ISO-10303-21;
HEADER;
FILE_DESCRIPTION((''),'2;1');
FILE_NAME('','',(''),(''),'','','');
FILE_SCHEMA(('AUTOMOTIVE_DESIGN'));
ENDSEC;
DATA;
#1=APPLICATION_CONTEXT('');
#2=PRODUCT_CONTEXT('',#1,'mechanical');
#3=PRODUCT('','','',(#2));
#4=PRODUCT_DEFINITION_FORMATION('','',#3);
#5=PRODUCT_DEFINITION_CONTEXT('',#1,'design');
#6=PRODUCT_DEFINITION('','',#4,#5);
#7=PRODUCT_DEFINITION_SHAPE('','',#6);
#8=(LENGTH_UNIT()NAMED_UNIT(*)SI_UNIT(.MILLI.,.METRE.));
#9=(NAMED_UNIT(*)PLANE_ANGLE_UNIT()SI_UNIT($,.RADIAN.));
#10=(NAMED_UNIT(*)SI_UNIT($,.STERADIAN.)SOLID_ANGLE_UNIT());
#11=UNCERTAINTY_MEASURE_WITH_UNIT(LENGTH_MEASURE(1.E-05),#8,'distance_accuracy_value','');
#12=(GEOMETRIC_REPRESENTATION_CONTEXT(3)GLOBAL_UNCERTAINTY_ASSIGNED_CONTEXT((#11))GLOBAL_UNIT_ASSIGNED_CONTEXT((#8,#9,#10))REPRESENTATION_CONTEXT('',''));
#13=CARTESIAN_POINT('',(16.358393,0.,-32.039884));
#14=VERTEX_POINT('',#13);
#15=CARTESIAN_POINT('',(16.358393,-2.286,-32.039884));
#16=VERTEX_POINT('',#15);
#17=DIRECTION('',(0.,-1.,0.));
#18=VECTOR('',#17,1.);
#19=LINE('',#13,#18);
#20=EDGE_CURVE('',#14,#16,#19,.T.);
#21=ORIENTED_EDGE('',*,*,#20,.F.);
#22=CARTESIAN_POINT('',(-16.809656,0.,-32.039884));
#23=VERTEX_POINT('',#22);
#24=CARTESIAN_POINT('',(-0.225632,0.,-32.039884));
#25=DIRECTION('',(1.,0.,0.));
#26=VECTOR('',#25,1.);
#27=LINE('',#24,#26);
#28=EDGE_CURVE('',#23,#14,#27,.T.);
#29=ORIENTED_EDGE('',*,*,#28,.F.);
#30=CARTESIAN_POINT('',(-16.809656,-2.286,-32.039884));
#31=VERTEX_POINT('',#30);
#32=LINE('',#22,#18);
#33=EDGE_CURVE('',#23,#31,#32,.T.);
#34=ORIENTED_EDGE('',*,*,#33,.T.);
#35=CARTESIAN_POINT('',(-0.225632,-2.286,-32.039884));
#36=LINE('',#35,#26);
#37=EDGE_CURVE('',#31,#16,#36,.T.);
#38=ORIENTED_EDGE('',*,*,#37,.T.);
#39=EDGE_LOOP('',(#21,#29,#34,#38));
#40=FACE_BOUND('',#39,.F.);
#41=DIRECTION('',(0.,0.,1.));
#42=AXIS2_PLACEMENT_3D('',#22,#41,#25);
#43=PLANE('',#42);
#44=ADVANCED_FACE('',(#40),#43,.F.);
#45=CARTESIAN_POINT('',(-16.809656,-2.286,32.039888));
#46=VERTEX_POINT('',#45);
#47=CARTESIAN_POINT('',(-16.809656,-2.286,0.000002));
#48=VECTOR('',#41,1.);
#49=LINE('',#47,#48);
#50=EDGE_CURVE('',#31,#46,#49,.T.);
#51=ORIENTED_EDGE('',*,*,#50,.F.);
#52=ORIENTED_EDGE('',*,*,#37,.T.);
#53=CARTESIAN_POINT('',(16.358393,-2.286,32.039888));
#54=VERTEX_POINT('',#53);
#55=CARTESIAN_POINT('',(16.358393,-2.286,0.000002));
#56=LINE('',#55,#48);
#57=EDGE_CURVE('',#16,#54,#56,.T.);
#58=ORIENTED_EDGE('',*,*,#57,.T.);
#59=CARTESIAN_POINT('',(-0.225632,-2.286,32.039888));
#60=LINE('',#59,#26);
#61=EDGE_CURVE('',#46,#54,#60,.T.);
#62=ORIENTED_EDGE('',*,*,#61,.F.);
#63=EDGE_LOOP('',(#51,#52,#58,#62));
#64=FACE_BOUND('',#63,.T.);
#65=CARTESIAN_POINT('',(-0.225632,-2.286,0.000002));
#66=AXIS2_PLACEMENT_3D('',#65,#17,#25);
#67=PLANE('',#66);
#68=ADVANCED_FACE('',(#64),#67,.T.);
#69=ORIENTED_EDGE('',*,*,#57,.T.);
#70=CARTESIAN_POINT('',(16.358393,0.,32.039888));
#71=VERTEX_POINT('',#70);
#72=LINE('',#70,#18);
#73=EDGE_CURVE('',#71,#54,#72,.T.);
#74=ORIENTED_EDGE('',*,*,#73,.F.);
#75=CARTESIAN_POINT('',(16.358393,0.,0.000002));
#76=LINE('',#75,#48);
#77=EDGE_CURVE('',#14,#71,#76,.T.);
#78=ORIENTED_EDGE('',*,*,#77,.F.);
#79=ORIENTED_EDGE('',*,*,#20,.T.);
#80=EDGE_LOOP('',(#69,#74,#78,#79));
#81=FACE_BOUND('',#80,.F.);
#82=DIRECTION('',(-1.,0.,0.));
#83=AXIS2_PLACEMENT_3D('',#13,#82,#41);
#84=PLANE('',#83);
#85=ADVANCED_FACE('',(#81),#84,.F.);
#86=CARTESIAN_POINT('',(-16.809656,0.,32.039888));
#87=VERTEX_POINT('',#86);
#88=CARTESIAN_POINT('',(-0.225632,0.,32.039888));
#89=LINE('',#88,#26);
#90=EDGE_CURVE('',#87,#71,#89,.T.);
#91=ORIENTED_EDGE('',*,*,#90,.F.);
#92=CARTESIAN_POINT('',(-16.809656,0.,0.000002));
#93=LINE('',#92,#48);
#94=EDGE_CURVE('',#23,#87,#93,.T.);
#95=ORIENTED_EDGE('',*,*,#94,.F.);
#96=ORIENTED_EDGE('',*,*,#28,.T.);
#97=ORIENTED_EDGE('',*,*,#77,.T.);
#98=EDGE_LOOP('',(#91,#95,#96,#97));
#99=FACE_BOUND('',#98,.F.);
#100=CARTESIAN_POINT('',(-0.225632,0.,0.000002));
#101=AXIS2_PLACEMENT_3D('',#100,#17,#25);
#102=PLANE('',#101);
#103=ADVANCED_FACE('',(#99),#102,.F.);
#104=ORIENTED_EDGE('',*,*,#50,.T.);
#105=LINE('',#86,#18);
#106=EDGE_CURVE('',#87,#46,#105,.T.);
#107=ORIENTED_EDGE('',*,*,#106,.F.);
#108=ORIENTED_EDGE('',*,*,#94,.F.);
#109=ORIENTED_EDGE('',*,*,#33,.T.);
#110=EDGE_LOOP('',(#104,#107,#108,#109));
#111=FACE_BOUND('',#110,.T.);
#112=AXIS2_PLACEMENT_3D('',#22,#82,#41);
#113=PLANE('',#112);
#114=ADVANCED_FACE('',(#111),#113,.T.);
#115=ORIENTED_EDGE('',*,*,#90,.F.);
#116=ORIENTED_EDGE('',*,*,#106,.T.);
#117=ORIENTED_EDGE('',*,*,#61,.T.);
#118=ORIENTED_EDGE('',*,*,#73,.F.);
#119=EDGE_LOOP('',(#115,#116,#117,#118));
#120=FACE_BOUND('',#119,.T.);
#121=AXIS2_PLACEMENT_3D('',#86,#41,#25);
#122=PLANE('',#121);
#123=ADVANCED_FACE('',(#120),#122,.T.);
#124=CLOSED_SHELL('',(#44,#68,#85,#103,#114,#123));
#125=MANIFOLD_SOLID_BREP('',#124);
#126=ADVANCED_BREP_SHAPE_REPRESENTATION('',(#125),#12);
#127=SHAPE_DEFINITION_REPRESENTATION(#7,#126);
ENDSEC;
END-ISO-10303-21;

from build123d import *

# Parameters (mm, degrees)
F0_W     = 33.168049
F0_H     = 64.079772
F1_DEPTH = 2.286


with BuildPart() as f1:
    # F0 (on Front) → F1 (new body)
    with BuildSketch(Plane.XZ):
        with Locations((-0.225632, 2e-06)):
            Rectangle(F0_W, F0_H)
    extrude(amount=F1_DEPTH)


solid = f1.part
